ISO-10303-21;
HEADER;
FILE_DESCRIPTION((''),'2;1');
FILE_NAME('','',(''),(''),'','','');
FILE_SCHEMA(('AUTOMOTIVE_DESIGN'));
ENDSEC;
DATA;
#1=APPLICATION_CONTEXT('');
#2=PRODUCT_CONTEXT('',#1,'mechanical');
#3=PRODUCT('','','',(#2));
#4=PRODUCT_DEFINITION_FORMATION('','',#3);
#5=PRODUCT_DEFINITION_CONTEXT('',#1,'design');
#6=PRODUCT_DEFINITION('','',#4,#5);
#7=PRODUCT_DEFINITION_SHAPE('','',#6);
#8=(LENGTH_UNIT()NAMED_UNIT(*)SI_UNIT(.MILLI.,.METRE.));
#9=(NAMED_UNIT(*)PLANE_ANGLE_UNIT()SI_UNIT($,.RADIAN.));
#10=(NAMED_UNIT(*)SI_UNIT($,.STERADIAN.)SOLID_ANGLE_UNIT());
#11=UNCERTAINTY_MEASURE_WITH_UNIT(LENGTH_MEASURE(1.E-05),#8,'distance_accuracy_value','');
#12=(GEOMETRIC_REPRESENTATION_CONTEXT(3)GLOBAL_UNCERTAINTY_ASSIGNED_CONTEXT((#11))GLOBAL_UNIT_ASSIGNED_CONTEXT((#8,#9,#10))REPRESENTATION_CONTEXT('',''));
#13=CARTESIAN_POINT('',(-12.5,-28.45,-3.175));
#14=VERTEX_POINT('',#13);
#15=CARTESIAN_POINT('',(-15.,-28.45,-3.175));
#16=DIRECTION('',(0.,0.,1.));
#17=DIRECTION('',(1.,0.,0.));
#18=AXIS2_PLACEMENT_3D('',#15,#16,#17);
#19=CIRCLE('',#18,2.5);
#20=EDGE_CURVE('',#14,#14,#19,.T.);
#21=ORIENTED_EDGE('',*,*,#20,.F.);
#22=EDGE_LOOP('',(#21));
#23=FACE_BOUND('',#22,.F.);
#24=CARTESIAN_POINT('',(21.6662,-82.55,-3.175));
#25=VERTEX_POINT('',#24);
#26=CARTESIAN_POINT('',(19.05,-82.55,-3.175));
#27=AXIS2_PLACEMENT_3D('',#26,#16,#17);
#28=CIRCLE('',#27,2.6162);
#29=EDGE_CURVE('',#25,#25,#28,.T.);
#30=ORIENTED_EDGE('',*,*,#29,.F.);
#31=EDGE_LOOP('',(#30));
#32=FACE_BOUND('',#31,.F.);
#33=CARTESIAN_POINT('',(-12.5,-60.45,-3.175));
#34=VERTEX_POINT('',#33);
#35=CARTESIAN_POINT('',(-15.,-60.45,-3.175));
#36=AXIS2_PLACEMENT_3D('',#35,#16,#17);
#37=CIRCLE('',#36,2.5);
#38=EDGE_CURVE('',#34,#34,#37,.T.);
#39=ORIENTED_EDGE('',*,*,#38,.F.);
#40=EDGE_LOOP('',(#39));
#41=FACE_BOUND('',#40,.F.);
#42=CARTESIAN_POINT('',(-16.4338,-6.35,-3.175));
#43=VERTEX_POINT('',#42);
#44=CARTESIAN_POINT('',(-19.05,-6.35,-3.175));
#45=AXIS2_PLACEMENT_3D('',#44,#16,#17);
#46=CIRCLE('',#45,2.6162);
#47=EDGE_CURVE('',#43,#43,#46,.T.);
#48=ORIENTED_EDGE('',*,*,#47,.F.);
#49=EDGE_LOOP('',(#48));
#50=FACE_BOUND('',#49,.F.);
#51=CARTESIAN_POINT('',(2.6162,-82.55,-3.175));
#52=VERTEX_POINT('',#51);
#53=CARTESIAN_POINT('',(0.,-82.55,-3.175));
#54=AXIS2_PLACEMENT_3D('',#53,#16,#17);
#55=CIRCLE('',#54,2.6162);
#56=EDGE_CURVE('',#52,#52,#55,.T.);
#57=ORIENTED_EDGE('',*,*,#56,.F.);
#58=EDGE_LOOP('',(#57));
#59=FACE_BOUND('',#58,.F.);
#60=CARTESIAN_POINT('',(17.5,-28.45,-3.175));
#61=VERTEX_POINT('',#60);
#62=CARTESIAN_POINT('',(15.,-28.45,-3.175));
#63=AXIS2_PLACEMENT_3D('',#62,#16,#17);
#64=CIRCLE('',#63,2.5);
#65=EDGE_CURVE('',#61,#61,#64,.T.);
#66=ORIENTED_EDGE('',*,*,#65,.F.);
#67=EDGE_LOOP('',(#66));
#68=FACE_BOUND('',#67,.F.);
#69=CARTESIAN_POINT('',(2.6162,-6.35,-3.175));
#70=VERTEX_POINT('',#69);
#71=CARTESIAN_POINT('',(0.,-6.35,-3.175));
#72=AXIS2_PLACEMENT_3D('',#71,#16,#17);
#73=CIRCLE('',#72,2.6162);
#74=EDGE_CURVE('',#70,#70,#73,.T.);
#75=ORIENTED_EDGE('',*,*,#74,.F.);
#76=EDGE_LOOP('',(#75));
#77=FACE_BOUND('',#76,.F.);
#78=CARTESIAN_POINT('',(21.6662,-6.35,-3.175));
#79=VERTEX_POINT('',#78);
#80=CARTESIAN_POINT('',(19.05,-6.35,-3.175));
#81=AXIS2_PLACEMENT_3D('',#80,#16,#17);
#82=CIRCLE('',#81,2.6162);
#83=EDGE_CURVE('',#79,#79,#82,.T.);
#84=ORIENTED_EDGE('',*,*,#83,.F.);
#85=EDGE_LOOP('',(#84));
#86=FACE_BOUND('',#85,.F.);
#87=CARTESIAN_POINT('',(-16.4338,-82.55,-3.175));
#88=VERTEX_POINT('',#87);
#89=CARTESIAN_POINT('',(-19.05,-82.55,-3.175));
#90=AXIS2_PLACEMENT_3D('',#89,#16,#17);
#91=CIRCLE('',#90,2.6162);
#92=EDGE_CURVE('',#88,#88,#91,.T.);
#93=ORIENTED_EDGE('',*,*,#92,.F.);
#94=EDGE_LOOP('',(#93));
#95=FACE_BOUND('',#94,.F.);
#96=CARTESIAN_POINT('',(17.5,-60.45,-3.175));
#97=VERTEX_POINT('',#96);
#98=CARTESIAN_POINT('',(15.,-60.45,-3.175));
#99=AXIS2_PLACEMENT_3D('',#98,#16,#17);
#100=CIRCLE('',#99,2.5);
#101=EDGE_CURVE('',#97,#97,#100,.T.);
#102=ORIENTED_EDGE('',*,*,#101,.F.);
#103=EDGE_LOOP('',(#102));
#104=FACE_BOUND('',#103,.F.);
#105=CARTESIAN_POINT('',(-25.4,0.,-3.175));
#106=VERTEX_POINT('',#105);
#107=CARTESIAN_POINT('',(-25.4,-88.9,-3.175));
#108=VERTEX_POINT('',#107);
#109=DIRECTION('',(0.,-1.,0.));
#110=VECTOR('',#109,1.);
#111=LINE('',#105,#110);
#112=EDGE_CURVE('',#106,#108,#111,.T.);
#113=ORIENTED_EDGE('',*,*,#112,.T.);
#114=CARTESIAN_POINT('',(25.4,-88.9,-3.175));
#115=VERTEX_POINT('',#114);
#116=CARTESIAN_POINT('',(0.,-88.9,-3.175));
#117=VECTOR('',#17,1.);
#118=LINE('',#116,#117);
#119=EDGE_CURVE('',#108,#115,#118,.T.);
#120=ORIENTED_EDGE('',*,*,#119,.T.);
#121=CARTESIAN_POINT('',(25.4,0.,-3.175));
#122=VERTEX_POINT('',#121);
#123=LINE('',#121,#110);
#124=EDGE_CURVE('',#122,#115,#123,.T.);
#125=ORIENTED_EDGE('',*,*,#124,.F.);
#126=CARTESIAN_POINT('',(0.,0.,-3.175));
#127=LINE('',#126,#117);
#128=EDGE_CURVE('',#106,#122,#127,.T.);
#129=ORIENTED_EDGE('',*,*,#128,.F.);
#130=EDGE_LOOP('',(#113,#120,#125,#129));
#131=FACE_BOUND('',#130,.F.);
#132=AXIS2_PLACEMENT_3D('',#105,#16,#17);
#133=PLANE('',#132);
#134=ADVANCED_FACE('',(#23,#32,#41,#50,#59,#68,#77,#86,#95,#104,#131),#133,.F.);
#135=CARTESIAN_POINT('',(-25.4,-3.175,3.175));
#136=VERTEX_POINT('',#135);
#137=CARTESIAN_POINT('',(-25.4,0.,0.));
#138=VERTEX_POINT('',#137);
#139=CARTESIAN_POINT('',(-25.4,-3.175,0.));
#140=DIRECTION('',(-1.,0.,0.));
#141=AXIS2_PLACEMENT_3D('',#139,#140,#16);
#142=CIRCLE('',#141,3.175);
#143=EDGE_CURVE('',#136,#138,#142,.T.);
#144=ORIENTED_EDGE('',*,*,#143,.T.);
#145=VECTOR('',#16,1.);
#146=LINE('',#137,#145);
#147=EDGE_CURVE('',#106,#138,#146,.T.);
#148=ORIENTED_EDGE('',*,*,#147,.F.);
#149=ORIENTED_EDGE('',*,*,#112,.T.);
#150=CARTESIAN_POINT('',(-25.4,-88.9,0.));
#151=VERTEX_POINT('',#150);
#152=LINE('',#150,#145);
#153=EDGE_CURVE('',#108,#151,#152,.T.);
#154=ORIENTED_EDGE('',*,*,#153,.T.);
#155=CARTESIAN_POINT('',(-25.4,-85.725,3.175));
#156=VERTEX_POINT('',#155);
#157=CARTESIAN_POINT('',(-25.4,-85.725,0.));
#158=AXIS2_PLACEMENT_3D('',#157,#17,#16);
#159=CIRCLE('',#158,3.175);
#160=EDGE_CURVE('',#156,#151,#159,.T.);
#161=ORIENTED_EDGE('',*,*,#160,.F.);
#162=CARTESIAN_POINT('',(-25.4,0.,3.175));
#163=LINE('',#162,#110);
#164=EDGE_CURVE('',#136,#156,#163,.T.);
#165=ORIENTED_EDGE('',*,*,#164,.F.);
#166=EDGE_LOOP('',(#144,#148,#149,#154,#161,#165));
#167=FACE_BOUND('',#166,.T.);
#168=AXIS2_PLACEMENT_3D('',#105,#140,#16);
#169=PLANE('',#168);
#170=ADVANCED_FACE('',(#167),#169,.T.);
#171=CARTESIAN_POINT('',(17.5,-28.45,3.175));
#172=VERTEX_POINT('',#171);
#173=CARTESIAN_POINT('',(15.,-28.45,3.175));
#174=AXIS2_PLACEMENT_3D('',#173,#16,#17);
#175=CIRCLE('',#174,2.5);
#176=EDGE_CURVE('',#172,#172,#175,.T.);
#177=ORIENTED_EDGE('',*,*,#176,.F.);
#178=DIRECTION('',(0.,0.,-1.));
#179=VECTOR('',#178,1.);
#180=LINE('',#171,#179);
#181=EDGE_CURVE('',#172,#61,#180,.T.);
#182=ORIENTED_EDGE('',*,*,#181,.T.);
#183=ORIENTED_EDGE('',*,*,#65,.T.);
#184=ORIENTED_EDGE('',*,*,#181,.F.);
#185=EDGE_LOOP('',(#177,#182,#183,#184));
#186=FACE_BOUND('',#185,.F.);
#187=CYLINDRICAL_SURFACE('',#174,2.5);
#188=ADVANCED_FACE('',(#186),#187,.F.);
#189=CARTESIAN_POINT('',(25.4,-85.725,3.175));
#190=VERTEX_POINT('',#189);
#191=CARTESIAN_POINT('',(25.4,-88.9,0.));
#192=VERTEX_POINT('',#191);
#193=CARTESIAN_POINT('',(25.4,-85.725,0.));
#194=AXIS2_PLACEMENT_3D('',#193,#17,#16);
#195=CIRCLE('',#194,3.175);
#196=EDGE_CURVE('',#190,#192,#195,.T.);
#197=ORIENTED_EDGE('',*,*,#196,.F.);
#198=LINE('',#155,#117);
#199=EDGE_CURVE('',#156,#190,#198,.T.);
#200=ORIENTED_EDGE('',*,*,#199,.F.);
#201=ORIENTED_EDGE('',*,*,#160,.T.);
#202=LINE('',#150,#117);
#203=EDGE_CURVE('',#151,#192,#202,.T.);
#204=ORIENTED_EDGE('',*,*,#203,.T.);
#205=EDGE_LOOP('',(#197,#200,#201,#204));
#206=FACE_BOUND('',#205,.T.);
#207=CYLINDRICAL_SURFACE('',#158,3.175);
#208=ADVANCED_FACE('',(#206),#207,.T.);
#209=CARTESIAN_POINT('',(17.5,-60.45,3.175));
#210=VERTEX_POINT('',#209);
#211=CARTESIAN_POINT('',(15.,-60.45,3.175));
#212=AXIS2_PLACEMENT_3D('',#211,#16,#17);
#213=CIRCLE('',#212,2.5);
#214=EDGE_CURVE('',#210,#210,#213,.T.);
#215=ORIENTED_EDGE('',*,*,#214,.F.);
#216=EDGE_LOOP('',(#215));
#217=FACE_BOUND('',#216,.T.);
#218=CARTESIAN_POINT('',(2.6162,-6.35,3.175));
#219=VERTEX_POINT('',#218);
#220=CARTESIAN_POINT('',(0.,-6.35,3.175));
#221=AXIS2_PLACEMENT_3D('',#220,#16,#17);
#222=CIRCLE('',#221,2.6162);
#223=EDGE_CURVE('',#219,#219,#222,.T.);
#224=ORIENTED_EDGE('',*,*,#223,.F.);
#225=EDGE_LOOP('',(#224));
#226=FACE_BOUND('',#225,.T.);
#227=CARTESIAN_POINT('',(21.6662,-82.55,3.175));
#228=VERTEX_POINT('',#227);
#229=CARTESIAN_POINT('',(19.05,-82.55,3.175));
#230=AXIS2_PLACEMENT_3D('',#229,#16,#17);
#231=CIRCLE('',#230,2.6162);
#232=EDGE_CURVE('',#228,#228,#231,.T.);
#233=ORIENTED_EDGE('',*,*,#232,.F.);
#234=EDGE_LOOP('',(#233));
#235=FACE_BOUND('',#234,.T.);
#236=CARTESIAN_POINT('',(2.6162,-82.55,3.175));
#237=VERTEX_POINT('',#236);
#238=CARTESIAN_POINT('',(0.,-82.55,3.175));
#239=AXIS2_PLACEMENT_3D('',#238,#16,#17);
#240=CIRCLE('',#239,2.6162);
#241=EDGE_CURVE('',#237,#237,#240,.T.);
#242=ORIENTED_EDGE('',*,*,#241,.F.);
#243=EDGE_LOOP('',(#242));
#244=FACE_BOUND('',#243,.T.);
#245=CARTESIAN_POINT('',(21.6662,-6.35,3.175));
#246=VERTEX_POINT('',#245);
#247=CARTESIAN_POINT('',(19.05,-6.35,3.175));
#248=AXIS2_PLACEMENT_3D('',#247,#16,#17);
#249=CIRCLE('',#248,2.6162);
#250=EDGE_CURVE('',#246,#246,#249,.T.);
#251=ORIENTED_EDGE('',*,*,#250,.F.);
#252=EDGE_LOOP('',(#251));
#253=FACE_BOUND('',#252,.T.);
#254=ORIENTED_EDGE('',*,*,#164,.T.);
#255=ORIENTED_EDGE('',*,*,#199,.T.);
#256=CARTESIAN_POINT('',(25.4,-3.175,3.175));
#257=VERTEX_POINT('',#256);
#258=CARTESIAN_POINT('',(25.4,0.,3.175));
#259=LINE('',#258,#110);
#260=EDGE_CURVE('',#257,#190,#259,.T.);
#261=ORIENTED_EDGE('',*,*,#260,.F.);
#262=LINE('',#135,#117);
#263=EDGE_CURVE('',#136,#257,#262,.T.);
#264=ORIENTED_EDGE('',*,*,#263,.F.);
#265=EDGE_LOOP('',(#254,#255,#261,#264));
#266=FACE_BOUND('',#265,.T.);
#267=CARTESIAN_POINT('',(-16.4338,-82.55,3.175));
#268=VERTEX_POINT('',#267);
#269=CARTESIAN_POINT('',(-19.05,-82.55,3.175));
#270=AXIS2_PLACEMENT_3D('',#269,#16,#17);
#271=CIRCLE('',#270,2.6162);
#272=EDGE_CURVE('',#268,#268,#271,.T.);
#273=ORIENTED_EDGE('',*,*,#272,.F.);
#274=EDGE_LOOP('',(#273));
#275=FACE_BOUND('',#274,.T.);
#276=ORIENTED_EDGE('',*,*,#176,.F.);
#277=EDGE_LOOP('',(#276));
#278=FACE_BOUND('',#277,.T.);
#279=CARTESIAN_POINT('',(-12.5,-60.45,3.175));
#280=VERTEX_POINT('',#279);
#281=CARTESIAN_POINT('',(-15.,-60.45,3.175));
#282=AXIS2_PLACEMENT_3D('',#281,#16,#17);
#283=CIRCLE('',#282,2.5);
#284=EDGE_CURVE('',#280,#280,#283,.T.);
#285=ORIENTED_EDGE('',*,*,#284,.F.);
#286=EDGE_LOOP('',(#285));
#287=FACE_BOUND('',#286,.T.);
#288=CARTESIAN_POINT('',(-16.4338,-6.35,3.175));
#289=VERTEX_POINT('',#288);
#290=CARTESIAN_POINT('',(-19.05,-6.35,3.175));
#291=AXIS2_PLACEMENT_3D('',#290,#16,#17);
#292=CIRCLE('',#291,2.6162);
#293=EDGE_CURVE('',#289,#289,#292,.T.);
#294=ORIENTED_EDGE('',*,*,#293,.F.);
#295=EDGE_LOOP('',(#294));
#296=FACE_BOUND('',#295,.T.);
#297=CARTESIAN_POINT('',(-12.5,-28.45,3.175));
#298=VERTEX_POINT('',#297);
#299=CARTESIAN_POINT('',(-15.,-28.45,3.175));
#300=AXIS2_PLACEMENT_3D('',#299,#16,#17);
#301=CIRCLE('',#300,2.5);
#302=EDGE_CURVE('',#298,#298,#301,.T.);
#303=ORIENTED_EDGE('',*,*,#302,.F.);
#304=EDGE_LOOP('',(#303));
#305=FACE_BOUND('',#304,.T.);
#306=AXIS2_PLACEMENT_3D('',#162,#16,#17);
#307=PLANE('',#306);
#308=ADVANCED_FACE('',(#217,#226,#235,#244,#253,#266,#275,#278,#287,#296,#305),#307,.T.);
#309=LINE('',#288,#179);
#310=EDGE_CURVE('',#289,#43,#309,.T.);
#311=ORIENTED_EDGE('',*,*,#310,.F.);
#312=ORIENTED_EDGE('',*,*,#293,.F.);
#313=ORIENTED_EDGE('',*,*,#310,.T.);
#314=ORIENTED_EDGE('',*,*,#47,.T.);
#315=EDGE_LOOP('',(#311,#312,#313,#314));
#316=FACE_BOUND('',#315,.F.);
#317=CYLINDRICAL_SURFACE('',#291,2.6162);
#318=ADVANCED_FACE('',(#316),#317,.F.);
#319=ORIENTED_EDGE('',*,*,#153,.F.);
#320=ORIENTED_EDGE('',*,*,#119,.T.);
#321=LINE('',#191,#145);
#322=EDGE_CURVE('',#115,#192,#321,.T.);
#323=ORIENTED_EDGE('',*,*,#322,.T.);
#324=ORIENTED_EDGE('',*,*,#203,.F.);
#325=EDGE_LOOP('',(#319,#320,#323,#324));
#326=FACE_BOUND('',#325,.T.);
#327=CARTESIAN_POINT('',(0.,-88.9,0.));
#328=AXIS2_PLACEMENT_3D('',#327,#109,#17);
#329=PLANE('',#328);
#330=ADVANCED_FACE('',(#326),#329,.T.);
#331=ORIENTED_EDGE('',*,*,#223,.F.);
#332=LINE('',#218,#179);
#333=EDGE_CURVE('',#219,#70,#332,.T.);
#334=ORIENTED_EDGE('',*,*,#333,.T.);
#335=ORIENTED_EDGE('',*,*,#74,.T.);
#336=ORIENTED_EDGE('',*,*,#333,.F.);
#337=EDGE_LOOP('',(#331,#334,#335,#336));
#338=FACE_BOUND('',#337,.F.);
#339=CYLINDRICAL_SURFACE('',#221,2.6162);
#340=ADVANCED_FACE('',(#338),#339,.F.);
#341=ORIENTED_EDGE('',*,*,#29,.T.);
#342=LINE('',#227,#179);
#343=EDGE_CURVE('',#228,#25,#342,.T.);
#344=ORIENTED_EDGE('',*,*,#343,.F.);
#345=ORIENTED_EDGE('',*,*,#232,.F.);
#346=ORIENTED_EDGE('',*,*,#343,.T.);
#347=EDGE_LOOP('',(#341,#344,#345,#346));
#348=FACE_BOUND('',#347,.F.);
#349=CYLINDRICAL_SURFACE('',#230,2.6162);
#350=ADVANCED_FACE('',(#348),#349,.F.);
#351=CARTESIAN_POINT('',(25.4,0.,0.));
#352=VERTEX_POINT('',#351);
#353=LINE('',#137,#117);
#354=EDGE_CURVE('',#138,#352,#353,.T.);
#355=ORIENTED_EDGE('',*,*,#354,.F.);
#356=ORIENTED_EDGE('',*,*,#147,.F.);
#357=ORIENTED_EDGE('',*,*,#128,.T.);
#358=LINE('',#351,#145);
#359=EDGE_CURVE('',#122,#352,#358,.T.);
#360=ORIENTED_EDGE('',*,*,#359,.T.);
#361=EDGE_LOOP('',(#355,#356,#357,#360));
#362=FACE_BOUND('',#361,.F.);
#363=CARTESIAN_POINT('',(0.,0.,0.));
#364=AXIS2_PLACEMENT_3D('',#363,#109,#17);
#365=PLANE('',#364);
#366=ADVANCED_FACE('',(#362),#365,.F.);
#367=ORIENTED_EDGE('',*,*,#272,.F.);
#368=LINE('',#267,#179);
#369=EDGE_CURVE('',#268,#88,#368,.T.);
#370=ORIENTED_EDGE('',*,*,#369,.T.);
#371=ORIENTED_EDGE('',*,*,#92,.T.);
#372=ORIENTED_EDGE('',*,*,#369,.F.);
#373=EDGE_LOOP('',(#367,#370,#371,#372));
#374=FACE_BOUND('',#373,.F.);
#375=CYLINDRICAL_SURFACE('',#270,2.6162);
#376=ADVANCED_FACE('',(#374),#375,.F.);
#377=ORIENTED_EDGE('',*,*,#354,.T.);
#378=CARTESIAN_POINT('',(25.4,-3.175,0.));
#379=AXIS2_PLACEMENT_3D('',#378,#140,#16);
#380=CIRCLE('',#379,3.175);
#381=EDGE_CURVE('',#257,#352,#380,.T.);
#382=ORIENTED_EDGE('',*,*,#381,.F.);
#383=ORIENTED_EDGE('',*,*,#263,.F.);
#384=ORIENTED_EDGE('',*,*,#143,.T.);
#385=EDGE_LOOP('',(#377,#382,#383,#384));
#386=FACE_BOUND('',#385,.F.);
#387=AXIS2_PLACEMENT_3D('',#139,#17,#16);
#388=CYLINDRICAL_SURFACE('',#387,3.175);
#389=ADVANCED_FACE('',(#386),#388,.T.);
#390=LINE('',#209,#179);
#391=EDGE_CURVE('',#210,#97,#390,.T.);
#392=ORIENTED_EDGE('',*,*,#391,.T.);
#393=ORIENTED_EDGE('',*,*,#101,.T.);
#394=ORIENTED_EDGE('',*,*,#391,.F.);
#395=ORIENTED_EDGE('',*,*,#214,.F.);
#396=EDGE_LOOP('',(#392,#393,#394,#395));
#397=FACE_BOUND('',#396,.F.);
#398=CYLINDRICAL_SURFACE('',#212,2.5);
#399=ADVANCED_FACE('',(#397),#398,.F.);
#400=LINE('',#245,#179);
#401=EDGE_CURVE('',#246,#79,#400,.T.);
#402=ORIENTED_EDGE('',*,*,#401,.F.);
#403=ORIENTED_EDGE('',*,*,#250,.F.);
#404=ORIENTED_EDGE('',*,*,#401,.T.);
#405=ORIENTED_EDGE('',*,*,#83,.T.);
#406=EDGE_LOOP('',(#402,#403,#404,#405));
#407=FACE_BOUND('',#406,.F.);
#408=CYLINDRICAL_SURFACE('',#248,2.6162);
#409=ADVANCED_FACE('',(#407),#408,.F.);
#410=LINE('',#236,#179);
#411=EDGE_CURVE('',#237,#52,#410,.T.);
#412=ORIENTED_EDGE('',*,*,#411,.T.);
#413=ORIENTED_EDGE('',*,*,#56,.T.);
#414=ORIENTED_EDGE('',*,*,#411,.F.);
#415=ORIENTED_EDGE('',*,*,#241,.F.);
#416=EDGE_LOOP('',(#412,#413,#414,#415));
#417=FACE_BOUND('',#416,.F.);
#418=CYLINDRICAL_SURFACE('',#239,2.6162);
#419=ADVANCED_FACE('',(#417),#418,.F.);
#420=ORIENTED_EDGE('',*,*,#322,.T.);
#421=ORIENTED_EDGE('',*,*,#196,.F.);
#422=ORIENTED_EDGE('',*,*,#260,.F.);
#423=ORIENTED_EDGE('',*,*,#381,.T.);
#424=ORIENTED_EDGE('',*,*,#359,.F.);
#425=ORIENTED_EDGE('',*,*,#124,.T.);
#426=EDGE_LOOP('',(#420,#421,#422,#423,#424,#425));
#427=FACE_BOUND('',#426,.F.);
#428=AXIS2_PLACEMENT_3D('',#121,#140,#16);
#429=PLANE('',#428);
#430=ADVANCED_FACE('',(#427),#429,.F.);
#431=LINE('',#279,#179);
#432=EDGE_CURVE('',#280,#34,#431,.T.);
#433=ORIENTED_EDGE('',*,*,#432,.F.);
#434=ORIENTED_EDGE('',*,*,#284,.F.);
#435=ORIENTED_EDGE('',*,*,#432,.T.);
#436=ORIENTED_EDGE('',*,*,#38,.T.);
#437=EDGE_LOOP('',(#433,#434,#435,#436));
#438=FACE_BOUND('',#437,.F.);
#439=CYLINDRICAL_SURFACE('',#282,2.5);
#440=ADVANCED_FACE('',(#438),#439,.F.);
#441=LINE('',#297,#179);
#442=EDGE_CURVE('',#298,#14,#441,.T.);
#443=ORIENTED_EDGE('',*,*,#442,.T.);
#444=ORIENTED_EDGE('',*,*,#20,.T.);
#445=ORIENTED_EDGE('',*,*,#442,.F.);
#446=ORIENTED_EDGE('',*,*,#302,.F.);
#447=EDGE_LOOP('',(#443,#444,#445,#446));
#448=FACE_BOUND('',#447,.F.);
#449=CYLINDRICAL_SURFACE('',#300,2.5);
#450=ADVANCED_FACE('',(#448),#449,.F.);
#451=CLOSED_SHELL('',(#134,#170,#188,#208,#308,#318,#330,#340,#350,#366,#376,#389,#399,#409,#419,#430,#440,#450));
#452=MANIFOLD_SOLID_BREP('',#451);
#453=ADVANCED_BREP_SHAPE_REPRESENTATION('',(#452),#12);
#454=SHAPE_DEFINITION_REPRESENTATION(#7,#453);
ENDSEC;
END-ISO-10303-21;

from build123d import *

# Parameters (mm, degrees)
F0_W     = 50.8
F0_H     = 6.35
F1_DEPTH = 88.9
F2_R     = 2.6162
F2_R_2   = 2.5
F3_DEPTH = 6.351
F4_R     = 3.175


with BuildPart() as f1:
    # F0 (on Front) → F1 (new body)
    with BuildSketch(Plane.XZ):
        Rectangle(F0_W, F0_H)
    extrude(amount=F1_DEPTH)

    # F2 (on face) → F3 (cut, through all)
    with BuildSketch(Plane.XY.offset(3.175)):
        with Locations((0, -82.55)):
            Circle(F2_R)
        with Locations((0, -6.35)):
            Circle(F2_R)
        with Locations((-19.05, -82.55)):
            Circle(F2_R)
        with Locations((19.05, -82.55)):
            Circle(F2_R)
        with Locations((19.05, -6.35)):
            Circle(F2_R)
        with Locations((-19.05, -6.35)):
            Circle(F2_R)
        with Locations((-15, -60.45)):
            Circle(F2_R_2)
        with Locations((15, -60.45)):
            Circle(F2_R_2)
        with Locations((15, -28.45)):
            Circle(F2_R_2)
        with Locations((-15, -28.45)):
            Circle(F2_R_2)
    extrude(amount=-F3_DEPTH, mode=Mode.SUBTRACT)

    # F4
    f4_edges = [f1.edges().sort_by_distance(p)[0] for p in [
        (0, 0, 3.175),
        (0, -88.9, 3.175),
    ]]
    fillet(f4_edges, radius=F4_R)


solid = f1.part
